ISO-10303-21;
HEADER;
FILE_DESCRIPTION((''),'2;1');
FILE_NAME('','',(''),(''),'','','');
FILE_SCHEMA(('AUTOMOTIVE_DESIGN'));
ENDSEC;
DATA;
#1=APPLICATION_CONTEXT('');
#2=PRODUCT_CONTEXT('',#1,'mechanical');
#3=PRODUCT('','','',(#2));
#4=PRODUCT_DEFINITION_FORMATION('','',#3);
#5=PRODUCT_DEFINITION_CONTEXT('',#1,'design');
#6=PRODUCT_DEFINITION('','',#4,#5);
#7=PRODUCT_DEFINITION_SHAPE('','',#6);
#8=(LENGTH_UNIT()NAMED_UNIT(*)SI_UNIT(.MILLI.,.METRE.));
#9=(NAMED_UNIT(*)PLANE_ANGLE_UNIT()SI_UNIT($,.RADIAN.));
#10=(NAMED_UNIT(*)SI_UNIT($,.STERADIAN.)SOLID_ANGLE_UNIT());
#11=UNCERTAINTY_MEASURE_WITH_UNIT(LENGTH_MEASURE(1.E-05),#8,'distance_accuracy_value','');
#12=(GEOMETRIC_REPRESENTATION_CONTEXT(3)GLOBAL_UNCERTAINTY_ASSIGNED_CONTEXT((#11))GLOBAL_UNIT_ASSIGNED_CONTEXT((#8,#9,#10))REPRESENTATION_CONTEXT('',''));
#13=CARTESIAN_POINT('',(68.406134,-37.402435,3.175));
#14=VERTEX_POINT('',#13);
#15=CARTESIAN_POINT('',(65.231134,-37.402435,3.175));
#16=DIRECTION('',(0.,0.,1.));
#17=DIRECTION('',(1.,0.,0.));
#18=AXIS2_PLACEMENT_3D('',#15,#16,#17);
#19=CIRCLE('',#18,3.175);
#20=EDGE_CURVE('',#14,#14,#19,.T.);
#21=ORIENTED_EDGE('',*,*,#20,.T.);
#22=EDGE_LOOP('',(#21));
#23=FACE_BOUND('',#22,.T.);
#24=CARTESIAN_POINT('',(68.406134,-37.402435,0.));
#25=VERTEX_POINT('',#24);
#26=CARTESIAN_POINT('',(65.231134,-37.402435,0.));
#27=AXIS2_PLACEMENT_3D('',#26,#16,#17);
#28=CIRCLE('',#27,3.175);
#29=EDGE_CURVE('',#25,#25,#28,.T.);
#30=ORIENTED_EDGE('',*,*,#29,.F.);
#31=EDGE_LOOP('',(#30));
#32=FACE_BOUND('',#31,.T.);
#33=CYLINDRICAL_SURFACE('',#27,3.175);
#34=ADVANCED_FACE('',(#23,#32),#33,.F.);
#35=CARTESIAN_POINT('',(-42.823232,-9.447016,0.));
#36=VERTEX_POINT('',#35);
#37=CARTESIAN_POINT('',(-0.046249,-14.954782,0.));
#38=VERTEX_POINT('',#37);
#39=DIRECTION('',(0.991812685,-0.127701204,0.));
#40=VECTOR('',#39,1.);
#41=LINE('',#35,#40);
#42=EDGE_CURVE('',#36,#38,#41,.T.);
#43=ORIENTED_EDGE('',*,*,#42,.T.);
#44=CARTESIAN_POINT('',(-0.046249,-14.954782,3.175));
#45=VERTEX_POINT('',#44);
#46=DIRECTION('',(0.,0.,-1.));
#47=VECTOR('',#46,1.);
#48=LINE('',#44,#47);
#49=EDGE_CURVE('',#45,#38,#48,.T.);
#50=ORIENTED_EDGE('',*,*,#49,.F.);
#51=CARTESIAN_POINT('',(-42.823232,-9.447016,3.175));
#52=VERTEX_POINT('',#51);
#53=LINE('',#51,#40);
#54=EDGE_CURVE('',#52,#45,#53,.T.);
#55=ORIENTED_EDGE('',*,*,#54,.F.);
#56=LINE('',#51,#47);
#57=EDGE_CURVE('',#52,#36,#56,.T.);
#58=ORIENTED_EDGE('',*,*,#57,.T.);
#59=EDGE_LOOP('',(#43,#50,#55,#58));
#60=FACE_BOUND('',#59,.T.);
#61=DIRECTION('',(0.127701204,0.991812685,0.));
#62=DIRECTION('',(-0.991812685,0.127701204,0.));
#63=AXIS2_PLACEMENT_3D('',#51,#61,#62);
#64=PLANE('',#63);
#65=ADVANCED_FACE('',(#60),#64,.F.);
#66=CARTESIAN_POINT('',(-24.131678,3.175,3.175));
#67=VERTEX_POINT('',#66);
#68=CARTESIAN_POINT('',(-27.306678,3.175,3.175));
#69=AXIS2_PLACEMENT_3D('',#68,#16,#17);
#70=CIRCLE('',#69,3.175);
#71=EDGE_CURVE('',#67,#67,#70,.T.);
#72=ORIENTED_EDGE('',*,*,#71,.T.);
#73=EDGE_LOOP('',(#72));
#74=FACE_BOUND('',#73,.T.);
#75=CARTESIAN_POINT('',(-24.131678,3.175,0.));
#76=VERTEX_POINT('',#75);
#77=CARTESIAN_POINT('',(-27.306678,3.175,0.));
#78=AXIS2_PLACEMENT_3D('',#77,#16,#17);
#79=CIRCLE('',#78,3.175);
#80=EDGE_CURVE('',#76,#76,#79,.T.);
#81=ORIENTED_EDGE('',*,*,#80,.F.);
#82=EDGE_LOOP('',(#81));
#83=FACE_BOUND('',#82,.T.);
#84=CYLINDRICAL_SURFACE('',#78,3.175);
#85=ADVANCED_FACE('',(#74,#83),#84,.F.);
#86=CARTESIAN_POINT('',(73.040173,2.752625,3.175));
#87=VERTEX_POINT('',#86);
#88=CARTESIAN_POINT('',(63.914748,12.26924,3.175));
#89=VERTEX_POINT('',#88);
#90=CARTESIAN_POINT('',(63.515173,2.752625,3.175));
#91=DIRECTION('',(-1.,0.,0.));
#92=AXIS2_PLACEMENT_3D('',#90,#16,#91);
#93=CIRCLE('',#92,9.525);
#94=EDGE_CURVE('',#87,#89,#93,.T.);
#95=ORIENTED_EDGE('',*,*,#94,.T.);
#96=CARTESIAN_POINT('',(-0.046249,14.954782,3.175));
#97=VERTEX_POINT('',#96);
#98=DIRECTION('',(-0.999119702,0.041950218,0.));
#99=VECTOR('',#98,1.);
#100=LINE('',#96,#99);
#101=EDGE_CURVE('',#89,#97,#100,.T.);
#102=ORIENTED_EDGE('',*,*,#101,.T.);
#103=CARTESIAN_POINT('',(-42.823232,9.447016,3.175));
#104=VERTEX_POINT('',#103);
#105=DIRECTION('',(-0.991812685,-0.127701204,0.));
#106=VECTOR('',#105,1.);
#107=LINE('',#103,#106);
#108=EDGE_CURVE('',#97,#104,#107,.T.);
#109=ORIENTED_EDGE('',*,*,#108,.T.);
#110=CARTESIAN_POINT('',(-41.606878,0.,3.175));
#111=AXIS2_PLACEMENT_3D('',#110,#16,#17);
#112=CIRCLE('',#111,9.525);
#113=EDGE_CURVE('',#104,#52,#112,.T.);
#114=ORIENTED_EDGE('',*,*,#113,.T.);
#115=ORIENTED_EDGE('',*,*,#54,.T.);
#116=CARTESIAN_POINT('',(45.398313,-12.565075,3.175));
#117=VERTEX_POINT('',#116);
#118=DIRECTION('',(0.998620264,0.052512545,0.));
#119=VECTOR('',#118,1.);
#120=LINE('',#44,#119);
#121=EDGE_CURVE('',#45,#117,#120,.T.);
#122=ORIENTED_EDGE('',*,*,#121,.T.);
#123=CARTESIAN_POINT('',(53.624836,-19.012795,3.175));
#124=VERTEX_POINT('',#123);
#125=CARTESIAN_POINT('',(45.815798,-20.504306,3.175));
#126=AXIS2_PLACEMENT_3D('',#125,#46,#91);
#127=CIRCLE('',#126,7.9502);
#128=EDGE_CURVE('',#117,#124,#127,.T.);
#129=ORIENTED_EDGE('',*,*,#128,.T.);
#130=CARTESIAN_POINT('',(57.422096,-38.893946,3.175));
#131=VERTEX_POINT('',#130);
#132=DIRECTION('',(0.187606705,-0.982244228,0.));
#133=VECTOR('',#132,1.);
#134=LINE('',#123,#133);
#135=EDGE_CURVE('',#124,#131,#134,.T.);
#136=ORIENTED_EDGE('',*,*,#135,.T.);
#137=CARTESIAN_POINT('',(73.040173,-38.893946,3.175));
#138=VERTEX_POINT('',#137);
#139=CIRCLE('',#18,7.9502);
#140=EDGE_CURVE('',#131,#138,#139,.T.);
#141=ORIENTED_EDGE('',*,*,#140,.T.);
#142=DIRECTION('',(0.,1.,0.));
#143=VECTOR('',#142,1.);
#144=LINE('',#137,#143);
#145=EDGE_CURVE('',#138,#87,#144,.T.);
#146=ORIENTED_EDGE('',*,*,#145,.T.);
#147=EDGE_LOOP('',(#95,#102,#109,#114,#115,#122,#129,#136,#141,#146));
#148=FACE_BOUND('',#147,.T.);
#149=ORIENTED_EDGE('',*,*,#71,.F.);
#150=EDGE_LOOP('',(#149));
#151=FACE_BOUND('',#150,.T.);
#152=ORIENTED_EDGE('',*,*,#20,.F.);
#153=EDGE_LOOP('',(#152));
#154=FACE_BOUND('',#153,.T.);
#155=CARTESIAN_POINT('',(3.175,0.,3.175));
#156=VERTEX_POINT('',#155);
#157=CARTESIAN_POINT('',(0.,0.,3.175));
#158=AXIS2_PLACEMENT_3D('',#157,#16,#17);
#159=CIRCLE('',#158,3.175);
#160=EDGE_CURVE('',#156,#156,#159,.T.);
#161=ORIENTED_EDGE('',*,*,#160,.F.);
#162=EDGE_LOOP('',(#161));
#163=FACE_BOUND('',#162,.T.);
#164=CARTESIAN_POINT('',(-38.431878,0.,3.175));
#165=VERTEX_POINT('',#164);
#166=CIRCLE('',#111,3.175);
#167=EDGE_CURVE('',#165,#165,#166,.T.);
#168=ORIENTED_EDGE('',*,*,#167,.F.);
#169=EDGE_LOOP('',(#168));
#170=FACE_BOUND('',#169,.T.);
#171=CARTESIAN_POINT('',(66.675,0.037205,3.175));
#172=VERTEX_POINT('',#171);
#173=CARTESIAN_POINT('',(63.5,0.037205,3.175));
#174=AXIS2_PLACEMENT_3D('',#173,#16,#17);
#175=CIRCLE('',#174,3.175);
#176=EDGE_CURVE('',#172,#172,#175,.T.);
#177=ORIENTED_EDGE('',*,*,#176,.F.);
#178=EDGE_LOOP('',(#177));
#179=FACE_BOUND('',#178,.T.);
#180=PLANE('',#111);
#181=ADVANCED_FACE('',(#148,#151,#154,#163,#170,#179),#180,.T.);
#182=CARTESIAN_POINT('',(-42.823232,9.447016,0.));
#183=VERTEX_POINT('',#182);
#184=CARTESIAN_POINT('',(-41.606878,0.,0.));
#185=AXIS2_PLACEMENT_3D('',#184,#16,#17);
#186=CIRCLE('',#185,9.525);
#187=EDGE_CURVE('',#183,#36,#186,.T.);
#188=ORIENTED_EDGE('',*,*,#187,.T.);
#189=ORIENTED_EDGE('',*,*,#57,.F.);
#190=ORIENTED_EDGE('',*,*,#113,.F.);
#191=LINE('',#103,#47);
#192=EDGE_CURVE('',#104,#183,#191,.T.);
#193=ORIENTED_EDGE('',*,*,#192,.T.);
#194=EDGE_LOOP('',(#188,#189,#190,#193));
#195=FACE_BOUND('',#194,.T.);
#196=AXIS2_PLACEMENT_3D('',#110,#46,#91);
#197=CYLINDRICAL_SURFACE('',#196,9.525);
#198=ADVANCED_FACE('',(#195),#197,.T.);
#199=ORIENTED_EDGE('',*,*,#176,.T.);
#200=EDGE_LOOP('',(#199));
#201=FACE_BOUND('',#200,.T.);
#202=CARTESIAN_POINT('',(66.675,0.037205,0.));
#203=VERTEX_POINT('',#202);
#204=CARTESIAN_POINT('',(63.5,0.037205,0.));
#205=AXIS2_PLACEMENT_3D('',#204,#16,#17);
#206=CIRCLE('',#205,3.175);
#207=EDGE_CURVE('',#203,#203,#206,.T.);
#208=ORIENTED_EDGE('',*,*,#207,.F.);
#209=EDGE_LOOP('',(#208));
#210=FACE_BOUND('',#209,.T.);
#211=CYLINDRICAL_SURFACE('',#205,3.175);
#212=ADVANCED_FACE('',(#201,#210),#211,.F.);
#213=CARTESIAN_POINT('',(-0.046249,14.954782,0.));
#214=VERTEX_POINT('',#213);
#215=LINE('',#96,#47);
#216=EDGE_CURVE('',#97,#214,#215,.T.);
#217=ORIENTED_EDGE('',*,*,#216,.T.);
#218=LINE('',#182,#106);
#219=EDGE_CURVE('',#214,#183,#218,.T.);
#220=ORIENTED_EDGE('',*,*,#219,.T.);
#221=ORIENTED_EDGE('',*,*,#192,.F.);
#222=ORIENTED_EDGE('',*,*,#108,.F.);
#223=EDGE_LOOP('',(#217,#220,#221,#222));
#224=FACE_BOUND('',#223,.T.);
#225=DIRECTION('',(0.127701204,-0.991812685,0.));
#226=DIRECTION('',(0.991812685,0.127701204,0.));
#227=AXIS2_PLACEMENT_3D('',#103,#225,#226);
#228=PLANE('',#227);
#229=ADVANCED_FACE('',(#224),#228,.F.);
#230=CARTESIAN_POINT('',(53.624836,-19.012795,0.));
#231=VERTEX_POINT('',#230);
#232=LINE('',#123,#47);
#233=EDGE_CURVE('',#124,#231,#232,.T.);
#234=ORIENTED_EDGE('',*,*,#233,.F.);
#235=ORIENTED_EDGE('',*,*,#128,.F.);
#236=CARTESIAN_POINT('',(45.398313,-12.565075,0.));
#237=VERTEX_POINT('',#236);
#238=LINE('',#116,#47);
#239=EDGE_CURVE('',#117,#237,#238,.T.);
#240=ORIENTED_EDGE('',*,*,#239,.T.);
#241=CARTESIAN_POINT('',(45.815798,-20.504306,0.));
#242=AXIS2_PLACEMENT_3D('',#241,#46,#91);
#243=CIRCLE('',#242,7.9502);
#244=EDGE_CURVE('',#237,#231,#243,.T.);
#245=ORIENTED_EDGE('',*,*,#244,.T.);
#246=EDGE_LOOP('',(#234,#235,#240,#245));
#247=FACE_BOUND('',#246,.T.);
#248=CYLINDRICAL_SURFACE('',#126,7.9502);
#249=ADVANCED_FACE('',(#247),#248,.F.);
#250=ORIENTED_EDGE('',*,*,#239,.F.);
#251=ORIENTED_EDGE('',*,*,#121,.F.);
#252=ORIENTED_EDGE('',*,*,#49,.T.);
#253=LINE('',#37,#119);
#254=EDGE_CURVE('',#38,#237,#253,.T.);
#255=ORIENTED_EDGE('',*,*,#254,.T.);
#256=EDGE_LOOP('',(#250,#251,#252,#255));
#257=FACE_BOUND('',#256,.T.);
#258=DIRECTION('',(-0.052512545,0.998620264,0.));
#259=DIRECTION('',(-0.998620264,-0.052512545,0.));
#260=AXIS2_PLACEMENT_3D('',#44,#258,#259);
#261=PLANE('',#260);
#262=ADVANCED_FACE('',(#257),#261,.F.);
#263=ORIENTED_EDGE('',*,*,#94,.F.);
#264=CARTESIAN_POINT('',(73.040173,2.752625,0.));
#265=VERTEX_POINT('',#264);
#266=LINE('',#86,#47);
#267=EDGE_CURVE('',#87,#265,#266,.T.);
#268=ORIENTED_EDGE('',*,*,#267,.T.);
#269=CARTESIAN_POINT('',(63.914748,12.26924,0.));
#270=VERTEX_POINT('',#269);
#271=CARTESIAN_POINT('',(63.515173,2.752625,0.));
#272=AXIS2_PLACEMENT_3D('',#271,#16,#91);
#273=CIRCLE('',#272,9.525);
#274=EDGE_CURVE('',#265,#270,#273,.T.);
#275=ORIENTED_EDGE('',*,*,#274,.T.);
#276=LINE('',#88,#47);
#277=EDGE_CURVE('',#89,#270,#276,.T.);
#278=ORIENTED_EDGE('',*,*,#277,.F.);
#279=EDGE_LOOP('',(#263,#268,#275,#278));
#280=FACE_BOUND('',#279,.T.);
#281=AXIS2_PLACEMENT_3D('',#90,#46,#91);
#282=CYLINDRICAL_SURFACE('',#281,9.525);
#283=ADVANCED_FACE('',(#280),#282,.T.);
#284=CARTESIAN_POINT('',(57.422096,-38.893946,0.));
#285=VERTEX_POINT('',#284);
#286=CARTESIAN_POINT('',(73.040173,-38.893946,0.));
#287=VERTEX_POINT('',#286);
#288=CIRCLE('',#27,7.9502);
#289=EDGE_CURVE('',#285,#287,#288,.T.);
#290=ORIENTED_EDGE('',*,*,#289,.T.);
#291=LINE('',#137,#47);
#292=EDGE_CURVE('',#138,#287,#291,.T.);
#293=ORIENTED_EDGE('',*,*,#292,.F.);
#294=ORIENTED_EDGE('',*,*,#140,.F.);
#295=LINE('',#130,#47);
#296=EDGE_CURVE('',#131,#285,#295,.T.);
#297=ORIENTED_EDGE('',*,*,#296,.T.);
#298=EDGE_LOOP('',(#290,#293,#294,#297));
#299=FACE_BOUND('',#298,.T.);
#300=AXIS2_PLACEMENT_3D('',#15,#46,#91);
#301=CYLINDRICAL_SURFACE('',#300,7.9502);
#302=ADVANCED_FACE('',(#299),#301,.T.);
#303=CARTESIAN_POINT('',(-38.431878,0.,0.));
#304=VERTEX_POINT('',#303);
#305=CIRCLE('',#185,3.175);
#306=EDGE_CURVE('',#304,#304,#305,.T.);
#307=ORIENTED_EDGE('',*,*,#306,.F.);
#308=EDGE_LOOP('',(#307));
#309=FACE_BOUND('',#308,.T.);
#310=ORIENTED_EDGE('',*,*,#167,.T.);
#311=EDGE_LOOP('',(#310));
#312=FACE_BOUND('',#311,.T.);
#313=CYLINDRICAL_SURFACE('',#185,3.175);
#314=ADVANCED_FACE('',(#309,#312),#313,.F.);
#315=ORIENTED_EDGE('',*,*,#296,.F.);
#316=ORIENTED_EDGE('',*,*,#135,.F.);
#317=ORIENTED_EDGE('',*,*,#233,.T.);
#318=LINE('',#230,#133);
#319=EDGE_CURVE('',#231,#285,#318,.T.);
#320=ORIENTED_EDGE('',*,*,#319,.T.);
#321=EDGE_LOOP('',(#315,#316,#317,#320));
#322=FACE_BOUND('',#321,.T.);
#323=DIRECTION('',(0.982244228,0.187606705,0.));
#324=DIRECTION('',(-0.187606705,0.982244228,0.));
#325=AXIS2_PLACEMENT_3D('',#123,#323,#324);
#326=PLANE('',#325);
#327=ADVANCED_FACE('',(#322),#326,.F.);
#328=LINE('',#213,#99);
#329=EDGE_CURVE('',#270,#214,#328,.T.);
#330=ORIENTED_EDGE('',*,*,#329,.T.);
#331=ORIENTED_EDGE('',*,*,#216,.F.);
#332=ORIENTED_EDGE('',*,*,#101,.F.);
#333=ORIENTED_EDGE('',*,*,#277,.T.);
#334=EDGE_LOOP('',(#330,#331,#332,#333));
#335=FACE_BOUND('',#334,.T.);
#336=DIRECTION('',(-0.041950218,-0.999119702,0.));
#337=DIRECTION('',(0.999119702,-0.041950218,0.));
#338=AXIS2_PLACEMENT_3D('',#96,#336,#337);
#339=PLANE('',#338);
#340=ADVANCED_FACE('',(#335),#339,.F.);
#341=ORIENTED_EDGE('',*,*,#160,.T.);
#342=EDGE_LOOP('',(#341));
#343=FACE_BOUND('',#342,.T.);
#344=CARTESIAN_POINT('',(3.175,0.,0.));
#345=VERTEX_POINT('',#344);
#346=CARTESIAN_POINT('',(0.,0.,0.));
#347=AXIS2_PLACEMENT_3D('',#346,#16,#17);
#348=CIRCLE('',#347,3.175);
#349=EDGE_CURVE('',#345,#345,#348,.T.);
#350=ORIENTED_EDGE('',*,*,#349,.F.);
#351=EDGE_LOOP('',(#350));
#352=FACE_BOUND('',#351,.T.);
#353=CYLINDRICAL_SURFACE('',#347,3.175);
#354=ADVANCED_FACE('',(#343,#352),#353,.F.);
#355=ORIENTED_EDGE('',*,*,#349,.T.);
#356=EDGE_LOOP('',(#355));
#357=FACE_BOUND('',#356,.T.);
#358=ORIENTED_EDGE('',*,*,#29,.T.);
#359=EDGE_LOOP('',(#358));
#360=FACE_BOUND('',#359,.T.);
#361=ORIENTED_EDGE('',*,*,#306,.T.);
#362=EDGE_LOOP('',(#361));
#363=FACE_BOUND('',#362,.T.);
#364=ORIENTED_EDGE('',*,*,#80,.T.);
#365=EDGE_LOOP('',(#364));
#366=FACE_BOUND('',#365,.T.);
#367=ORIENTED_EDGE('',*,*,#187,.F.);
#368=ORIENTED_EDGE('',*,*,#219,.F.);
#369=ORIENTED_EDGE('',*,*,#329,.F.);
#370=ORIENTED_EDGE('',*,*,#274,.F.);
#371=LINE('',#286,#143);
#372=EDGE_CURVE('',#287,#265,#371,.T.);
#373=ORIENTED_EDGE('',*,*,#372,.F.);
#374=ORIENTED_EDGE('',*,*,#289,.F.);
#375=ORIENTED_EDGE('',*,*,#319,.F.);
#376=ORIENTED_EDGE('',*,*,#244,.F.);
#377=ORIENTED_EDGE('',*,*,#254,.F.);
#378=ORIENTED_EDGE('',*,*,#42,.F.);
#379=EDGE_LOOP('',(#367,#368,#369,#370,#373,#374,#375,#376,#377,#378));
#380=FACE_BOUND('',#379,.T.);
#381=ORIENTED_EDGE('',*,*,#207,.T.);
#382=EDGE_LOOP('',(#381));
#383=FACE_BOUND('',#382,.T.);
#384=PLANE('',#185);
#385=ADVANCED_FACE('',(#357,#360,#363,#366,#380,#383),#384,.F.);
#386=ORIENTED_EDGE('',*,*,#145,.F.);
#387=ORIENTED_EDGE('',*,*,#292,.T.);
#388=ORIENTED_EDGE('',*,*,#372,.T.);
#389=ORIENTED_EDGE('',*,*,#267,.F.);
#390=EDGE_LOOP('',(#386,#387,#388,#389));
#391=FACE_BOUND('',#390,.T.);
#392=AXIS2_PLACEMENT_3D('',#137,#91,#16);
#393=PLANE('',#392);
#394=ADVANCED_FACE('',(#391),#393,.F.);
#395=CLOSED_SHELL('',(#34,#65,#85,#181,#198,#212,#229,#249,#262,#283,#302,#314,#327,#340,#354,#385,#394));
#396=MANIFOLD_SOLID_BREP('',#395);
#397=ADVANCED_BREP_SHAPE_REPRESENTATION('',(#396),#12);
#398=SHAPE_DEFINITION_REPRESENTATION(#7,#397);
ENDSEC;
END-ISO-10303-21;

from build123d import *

# Parameters (mm, degrees)
BOSS_EXTRUDE1_DEPTH = 3.175
SKETCH2_R           = 3.175
CUT_EXTRUDE1_DEPTH  = 87.033766175


with BuildPart() as part:
    # Sketch1 → Boss-Extrude1 (new body)
    with BuildSketch(Plane.XY):
        with BuildLine():
            Line((-42.82323198, 9.447015826), (-0.046249169, 14.954781853))
            Line((-0.046249169, 14.954781853), (63.914748375, 12.26924))
            ThreePointArc((63.914748375, 12.26924), (70.390184722, 9.345032033), (73.04017255, 2.752624837))
            Line((73.04017255, 2.752624837), (73.04017255, -38.893945713))
            ThreePointArc((73.04017255, -38.893945713), (65.231134486, -45.352634886), (57.422096421, -38.893945713))
            Line((57.422096421, -38.893945713), (53.624835968, -19.012795079))
            ThreePointArc((53.624835968, -19.012795079), (50.720085476, -14.247018679), (45.398312666, -12.56507508))
            Line((45.398312666, -12.56507508), (-0.046249169, -14.954781853))
            Line((-0.046249169, -14.954781853), (-42.82323198, -9.447015826))
            ThreePointArc((-42.82323198, -9.447015826), (-51.131878011, 0), (-42.82323198, 9.447015826))
        make_face()
    extrude(amount=BOSS_EXTRUDE1_DEPTH)

    # Sketch2 → Cut-Extrude1 (cut, through all)
    with BuildSketch(Plane.XY.offset(3.175)):
        with Locations((-41.606878011, 0)):
            Circle(SKETCH2_R)
        with Locations((-27.306678011, 3.175)):
            Circle(SKETCH2_R)
        Circle(SKETCH2_R)
        with Locations((63.5, 0.037204921)):
            Circle(SKETCH2_R)
        with Locations((65.231134486, -37.402434886)):
            Circle(SKETCH2_R)
    extrude(amount=-CUT_EXTRUDE1_DEPTH, mode=Mode.SUBTRACT)


solid = part.part
